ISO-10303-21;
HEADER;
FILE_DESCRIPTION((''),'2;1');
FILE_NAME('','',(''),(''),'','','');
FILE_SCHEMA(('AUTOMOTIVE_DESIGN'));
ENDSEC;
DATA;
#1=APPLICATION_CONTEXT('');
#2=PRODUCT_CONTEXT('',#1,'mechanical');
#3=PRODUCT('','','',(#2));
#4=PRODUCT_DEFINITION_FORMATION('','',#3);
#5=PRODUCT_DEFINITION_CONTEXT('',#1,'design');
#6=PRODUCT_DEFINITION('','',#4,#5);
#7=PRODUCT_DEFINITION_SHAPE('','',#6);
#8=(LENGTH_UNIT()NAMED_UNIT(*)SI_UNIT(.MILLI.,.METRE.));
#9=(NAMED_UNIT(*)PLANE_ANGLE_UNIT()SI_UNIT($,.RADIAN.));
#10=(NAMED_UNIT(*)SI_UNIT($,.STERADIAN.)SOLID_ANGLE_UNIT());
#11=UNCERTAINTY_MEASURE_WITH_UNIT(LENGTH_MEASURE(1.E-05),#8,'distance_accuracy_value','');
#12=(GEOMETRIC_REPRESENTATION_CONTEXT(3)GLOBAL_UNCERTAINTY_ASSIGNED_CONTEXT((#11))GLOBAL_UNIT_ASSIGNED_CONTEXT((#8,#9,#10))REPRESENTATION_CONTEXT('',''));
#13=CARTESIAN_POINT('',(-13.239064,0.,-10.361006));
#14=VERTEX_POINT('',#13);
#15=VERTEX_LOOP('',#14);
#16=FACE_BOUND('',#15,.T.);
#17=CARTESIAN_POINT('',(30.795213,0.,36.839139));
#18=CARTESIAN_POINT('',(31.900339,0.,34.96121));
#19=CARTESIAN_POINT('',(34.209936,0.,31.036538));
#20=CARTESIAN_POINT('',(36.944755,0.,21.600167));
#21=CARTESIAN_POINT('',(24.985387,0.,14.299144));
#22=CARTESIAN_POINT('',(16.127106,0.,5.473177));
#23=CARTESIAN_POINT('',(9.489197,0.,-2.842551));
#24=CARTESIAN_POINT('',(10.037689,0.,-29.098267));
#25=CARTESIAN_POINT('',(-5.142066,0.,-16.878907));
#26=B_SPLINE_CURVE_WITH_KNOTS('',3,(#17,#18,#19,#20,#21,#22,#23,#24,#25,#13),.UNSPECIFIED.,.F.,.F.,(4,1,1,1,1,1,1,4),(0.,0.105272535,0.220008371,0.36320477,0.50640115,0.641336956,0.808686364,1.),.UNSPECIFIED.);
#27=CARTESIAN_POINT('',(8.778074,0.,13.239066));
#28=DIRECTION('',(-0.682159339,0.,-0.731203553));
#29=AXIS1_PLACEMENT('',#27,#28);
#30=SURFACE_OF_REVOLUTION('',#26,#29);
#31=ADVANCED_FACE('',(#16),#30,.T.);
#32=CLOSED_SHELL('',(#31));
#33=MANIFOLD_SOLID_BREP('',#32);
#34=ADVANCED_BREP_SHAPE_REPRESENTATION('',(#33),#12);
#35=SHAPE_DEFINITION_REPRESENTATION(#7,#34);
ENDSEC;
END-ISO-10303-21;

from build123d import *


with BuildPart() as f1:
    # F0 (on Front) → F1 (revolve)
    with BuildSketch(Plane.XZ):
        with BuildLine():
            add(Edge.make_bspline(
                [(30.7952128351, 36.8391387165), (31.9003393584, 34.9612095221), (34.2099359354, 31.0365377785), (36.9447545808, 21.600166844), (24.9853874637, 14.2991444578), (16.127105852, 5.473176826), (9.4891966707, -2.8425509151), (10.0376891406, -29.098267068), (-5.1420657953, -16.8789073049), (-13.2390642539, -10.3610064834)],
                knots=[0, 0, 0, 0, 0.1052725349, 0.2200083711, 0.3632047695, 0.5064011501, 0.6413369562, 0.8086863638, 1, 1, 1, 1], degree=3))
            Line((30.7952128351, 36.8391387165), (-13.2390642539, -10.3610064834))
        make_face()
    revolve(axis=Axis((8.7780742906, 0, 13.2390661165), (-0.6821593392, 0, -0.731203553)))


solid = f1.part
